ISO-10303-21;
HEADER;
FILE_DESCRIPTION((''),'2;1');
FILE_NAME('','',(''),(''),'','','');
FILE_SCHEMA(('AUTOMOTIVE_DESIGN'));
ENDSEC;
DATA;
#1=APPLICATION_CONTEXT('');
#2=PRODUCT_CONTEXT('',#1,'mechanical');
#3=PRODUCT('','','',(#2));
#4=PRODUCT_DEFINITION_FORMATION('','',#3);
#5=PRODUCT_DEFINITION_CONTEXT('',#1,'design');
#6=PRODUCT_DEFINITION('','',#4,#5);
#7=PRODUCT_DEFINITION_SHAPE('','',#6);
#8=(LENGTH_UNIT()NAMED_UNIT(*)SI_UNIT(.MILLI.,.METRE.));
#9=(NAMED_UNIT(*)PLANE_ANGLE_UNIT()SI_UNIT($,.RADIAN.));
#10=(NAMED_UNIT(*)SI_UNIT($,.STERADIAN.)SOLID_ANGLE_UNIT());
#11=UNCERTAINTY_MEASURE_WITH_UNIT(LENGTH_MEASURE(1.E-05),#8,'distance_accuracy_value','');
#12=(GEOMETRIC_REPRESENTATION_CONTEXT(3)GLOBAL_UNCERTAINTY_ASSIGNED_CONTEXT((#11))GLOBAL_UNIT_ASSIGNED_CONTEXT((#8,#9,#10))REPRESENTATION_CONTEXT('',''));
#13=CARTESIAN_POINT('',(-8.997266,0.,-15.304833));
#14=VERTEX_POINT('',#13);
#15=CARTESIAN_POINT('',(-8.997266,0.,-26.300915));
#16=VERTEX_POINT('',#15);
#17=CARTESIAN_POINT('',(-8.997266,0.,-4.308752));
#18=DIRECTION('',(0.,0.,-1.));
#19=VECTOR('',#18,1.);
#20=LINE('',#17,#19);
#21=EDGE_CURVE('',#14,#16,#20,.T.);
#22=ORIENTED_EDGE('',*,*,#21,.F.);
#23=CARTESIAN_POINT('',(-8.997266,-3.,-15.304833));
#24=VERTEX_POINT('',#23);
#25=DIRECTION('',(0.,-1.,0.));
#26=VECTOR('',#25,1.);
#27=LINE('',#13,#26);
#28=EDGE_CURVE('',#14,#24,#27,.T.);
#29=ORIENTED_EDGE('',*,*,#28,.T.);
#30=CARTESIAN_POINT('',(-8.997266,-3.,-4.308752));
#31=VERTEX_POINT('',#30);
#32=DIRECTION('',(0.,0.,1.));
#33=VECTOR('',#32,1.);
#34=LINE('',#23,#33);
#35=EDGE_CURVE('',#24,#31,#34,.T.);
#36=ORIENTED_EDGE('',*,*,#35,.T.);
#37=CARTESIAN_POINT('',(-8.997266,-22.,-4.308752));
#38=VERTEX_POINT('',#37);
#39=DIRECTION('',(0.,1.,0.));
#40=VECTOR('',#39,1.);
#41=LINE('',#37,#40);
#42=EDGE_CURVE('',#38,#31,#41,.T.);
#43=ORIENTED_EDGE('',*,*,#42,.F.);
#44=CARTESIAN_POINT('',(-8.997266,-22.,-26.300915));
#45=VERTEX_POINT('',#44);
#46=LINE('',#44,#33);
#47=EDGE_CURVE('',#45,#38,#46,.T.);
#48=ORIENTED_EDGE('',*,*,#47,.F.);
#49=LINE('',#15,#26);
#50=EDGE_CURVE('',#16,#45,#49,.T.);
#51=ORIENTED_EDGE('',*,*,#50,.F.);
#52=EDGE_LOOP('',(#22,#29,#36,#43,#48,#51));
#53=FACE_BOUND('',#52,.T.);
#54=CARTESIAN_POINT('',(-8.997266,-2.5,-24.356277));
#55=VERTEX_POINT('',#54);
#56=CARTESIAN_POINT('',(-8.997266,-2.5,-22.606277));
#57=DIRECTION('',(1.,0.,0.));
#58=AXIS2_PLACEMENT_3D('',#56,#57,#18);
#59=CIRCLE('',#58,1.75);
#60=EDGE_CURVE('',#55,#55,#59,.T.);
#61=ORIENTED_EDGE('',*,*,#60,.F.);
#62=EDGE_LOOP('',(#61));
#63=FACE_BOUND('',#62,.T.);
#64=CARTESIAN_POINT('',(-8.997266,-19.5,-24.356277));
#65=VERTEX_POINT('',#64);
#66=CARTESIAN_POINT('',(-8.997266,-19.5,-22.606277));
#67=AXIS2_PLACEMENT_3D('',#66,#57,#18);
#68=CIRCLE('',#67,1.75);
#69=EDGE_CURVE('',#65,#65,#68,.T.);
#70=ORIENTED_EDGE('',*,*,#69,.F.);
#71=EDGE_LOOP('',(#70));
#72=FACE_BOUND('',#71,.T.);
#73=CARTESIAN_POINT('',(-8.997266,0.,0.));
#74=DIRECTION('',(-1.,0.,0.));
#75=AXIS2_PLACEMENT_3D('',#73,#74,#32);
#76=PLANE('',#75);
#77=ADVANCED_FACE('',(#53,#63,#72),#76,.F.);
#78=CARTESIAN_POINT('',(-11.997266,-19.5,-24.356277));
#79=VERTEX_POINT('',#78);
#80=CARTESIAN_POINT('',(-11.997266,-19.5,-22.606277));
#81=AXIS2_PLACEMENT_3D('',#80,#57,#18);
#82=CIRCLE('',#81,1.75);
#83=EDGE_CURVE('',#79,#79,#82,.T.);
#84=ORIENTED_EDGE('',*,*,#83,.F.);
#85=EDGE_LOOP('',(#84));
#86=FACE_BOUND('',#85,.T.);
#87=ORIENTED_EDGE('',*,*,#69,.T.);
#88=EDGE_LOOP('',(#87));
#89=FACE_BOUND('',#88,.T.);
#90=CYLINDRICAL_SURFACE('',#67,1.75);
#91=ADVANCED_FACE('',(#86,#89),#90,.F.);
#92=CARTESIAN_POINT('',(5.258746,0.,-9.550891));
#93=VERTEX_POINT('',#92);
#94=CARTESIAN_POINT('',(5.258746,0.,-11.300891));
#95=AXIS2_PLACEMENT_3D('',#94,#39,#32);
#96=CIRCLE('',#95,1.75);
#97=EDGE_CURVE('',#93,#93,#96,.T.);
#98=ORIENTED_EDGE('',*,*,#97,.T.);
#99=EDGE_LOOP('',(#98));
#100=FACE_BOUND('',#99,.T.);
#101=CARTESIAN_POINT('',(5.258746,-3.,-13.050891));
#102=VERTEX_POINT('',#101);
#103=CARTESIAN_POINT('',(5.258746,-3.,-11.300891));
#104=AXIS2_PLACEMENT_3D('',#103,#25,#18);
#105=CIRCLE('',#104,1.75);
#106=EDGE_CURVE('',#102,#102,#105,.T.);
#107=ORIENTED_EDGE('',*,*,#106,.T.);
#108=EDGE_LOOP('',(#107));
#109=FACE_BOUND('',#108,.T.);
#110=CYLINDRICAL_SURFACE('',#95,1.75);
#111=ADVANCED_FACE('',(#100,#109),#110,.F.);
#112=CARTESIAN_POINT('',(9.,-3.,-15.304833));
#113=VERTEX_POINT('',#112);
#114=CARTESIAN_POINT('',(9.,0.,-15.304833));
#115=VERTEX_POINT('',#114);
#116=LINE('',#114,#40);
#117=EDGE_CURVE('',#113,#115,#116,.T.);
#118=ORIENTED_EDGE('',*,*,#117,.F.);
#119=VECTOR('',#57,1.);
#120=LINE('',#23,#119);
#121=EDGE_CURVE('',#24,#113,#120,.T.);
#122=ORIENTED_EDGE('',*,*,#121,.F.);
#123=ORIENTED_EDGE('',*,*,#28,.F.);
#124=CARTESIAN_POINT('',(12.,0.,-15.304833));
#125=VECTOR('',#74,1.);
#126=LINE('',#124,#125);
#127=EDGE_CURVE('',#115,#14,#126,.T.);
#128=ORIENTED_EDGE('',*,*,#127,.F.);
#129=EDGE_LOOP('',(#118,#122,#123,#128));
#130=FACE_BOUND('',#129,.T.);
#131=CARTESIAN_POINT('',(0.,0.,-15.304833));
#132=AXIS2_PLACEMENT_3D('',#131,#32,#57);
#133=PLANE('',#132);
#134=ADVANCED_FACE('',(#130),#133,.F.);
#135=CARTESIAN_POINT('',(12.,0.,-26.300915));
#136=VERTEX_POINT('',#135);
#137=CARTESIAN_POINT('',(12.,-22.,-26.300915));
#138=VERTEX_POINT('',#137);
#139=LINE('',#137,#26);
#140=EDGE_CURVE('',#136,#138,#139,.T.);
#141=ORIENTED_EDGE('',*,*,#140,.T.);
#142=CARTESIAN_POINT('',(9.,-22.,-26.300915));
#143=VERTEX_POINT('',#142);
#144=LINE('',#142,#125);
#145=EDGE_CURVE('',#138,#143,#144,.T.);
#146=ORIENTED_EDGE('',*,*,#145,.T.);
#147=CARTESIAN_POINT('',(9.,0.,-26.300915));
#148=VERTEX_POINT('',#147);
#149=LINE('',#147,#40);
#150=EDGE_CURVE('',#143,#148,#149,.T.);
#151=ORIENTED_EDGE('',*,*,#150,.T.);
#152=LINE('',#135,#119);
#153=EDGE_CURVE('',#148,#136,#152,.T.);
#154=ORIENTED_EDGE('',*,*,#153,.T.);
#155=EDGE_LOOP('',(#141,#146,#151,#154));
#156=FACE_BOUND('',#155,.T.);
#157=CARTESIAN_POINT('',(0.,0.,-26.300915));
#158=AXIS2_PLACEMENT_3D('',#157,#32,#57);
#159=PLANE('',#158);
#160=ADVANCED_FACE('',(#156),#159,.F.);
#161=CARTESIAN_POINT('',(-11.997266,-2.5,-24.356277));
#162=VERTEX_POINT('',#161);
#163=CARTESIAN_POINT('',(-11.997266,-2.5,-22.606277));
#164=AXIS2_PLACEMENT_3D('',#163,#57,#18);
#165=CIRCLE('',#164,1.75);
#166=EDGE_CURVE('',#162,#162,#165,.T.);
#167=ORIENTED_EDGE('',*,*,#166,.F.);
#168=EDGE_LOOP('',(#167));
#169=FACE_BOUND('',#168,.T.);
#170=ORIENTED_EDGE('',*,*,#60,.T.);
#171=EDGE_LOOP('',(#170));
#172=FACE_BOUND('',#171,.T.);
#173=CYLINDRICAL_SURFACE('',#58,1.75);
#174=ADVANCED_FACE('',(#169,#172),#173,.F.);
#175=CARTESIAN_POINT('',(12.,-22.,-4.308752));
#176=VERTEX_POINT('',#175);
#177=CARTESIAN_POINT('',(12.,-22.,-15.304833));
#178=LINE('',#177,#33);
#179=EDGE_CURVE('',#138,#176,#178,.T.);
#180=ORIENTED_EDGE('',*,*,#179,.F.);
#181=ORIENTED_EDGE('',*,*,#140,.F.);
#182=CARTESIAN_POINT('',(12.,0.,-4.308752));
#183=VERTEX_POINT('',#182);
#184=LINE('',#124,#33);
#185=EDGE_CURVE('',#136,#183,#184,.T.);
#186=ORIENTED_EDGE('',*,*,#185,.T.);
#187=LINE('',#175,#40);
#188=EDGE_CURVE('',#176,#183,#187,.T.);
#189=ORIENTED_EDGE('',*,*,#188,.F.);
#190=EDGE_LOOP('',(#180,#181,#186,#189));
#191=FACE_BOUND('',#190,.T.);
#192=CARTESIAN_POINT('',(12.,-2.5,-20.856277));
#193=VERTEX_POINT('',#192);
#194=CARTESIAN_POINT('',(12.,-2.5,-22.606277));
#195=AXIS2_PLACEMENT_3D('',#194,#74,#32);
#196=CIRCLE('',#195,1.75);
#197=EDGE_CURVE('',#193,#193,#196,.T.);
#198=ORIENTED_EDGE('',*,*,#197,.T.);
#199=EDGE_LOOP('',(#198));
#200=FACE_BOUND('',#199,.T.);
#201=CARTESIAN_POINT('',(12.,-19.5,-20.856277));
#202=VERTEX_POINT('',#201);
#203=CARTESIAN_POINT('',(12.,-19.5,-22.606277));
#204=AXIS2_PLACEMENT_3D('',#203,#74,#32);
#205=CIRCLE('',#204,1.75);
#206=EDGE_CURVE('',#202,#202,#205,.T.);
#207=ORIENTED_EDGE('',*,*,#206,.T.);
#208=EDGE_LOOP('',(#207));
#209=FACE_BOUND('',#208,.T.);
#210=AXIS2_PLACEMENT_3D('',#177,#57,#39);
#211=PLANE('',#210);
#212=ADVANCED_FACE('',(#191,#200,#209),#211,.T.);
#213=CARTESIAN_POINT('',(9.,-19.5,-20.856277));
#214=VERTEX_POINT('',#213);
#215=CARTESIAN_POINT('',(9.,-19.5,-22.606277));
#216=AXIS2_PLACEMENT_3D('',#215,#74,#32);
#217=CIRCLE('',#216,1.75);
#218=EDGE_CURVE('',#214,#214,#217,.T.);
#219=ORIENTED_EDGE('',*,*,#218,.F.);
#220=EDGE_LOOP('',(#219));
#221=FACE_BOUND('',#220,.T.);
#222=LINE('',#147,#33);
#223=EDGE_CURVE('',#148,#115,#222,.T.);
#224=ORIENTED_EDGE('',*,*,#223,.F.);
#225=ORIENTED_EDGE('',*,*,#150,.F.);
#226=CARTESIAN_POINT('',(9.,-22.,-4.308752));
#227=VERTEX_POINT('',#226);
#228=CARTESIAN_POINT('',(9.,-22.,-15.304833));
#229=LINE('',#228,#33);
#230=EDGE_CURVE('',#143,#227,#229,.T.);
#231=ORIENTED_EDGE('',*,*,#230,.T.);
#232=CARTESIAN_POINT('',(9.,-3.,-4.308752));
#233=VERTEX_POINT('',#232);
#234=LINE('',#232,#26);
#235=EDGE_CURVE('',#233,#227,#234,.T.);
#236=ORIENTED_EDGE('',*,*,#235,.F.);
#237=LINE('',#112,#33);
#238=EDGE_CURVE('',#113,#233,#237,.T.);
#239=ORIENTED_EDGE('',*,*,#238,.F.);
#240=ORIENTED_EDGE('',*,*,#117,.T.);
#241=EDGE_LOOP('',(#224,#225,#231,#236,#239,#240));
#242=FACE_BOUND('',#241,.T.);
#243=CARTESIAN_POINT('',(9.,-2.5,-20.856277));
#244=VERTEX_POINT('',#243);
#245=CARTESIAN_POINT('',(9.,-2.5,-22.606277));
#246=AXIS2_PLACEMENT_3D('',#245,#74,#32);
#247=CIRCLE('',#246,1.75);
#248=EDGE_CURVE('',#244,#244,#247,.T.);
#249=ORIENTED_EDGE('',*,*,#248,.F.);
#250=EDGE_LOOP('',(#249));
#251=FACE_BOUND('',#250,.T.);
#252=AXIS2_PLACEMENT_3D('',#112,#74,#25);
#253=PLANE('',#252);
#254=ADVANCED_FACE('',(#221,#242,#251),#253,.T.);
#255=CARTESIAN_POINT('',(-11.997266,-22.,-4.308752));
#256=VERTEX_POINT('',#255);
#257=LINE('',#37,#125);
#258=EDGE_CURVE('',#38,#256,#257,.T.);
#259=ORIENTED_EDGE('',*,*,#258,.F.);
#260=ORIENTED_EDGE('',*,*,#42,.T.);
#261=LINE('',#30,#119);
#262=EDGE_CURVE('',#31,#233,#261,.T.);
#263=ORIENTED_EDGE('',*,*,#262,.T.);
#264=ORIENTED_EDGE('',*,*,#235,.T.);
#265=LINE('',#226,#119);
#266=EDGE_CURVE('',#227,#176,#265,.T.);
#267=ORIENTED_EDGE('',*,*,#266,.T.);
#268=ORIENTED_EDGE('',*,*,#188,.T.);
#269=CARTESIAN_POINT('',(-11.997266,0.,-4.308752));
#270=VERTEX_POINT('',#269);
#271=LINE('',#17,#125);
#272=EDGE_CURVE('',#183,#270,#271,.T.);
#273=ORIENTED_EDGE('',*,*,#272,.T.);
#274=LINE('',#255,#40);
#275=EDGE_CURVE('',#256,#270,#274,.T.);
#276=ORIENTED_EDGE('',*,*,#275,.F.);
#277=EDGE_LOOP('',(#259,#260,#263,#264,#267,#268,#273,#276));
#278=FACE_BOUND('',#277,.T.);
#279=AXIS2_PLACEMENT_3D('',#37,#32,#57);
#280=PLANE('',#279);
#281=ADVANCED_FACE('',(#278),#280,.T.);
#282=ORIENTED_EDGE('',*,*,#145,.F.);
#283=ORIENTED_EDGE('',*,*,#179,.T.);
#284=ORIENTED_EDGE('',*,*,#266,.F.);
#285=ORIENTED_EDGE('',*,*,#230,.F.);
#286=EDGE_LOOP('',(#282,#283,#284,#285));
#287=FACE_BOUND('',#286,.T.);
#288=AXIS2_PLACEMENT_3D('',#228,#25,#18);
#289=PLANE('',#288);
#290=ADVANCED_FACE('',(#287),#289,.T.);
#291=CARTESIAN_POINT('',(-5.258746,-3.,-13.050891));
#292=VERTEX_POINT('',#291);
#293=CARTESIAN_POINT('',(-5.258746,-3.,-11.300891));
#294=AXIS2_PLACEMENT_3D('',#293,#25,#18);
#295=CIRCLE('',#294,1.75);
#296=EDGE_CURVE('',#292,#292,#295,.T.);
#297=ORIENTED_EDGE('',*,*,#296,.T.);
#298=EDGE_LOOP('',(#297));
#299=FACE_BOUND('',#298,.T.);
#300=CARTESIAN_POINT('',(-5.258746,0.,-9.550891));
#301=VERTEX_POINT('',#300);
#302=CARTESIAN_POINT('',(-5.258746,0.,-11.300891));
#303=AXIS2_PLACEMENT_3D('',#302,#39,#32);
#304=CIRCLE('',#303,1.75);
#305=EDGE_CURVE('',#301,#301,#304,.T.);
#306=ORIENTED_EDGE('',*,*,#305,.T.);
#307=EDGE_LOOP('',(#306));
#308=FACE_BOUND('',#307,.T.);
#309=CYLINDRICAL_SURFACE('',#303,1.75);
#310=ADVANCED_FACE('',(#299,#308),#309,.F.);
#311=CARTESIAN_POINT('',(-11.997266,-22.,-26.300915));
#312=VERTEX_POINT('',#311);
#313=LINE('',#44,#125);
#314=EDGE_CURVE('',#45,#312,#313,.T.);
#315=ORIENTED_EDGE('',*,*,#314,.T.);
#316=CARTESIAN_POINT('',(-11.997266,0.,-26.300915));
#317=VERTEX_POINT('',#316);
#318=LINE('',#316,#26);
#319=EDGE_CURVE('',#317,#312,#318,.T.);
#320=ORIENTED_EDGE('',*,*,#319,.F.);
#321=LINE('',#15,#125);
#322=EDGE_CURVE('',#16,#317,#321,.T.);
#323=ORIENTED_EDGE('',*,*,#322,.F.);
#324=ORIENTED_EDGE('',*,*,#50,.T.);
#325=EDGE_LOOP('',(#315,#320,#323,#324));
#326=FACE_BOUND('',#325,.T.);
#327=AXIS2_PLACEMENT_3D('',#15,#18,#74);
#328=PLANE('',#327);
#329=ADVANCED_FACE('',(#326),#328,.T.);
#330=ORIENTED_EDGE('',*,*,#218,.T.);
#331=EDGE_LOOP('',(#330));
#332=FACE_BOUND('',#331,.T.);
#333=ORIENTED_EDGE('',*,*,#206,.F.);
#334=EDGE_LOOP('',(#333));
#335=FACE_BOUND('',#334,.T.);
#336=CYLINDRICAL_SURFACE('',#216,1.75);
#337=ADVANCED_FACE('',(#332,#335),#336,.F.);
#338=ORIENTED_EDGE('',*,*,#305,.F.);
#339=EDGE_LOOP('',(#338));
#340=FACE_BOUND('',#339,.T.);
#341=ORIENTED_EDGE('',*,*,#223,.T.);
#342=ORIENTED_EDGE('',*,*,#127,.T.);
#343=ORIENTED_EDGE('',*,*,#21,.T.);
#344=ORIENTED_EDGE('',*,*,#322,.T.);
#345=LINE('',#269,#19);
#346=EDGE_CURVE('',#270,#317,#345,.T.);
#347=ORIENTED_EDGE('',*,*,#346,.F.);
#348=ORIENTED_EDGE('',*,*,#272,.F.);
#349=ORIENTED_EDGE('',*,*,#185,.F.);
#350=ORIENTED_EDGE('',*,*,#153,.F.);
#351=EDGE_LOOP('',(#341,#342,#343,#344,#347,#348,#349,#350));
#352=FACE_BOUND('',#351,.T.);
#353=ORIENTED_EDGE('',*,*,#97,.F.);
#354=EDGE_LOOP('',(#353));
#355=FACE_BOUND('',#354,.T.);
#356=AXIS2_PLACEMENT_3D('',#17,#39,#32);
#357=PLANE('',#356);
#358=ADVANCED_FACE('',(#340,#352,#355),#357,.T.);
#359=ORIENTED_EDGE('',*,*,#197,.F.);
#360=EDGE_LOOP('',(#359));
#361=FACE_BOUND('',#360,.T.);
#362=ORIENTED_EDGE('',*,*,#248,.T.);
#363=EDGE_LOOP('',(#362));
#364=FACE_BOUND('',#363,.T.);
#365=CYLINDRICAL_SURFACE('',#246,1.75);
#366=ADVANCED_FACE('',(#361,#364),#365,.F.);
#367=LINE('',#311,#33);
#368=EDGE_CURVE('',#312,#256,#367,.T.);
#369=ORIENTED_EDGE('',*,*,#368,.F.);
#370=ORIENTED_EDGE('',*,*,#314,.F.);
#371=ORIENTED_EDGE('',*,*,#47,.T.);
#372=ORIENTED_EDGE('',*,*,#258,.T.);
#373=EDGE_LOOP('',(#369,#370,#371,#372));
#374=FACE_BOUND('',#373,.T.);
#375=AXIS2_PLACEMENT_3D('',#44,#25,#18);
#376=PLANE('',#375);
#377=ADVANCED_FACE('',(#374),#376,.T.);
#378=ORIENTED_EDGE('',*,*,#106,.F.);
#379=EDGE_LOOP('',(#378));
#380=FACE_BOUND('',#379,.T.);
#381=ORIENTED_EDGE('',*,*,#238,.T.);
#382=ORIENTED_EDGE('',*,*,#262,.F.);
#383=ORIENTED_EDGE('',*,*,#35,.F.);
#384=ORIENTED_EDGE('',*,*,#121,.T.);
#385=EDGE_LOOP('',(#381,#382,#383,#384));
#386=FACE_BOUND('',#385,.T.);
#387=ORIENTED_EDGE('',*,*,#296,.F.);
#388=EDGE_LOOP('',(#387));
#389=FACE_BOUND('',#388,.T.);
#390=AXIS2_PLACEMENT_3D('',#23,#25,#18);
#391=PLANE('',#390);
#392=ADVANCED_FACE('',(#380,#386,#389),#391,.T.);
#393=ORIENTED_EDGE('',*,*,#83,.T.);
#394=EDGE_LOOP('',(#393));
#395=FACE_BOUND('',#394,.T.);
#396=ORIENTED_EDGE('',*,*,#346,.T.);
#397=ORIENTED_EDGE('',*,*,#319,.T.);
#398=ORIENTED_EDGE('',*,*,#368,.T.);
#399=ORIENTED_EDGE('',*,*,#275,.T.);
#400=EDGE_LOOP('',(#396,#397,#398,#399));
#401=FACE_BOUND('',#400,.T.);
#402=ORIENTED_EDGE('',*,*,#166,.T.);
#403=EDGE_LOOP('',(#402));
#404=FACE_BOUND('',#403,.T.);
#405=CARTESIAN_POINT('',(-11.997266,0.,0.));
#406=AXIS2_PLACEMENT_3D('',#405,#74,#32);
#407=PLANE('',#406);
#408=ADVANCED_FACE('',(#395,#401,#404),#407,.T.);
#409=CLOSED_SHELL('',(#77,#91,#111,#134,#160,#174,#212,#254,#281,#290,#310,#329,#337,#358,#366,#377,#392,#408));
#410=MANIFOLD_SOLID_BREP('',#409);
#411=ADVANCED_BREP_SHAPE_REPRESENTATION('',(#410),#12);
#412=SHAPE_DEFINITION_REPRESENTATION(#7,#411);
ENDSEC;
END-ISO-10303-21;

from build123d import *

# Parameters (mm, degrees)
SKETCH_1_W                  = 22
SKETCH_1_H                  = 21.992162459
EXTRUDE_1_DEPTH             = 2.999999998
EXTRUDE_2_DEPTH             = 10.99608123
SKETCH_3_W                  = 3
SKETCH_3_H                  = 22
EXTRUDE_3_DEPTH             = 10.996081229
HOLE_WIZARD_3_5_3_5_1_D     = 3.5
HOLE_WIZARD_3_5_3_5_1_DEPTH = 22.000025
HOLE_WIZARD_3_5_3_5_2_D     = 3.5
HOLE_WIZARD_3_5_3_5_2_DEPTH = 3
HOLE_WIZARD_3_5_3_5_3_D     = 3.5


with BuildPart() as part:
    # 스케치1 → 보스-돌출1 (new body)
    with BuildSketch(Plane(origin=(-11.99726579, 0, 0), x_dir=(0, -1, 0), z_dir=(-1, 0, 0))):
        with Locations((11, -15.30483348)):
            Rectangle(SKETCH_1_W, SKETCH_1_H)
    extrude(amount=-EXTRUDE_1_DEPTH)

    # 스케치2 → 보스-돌출2 (add)
    with BuildSketch(Plane.XY.offset(-4.30875225)):
        Polygon((12, 0), (-8.99726579, 0), (-8.99726579, -2.999999996), (9, -2.999999996), (9, -21.999999998), (12, -21.999999998), align=None)
    extrude(amount=-EXTRUDE_2_DEPTH)

    # 스케치3 → 보스-돌출3 (add)
    with BuildSketch(Plane(origin=(0, 0, -15.30483348), x_dir=(-1.0, 0, 5.95310697820905e-12), z_dir=(-5.95310697820905e-12, 0, -1.0))):
        with Locations((-10.5, -11)):
            Rectangle(SKETCH_3_W, SKETCH_3_H)
    extrude(amount=EXTRUDE_3_DEPTH)

    # Ø3.5 (3.5) 지름 구멍1
    with Locations(Plane(origin=(0, 0, 0), x_dir=(1, 0, 0), z_dir=(0, 1, 0))):
        with Locations((-5.258745872, 11.300890987), (5.258745872, 11.300890987)):
            Hole(HOLE_WIZARD_3_5_3_5_1_D / 2, depth=HOLE_WIZARD_3_5_3_5_1_DEPTH)

    # Ø3.5 (3.5) 지름 구멍2
    with Locations(Plane.ZY.offset(-9)):
        with Locations((-22.606276953, -19.5), (-22.606276953, -2.5)):
            Hole(HOLE_WIZARD_3_5_3_5_2_D / 2, depth=HOLE_WIZARD_3_5_3_5_2_DEPTH)

    # Ø3.5 (3.5) 지름 구멍3 (through all)
    with Locations(Plane(origin=(-8.997265792, 0, 0), x_dir=(0, 0, -1), z_dir=(1, 0, 0))):
        with Locations((22.606276953, -19.5), (22.606276953, -2.5)):
            Hole(HOLE_WIZARD_3_5_3_5_3_D / 2)


solid = part.part
